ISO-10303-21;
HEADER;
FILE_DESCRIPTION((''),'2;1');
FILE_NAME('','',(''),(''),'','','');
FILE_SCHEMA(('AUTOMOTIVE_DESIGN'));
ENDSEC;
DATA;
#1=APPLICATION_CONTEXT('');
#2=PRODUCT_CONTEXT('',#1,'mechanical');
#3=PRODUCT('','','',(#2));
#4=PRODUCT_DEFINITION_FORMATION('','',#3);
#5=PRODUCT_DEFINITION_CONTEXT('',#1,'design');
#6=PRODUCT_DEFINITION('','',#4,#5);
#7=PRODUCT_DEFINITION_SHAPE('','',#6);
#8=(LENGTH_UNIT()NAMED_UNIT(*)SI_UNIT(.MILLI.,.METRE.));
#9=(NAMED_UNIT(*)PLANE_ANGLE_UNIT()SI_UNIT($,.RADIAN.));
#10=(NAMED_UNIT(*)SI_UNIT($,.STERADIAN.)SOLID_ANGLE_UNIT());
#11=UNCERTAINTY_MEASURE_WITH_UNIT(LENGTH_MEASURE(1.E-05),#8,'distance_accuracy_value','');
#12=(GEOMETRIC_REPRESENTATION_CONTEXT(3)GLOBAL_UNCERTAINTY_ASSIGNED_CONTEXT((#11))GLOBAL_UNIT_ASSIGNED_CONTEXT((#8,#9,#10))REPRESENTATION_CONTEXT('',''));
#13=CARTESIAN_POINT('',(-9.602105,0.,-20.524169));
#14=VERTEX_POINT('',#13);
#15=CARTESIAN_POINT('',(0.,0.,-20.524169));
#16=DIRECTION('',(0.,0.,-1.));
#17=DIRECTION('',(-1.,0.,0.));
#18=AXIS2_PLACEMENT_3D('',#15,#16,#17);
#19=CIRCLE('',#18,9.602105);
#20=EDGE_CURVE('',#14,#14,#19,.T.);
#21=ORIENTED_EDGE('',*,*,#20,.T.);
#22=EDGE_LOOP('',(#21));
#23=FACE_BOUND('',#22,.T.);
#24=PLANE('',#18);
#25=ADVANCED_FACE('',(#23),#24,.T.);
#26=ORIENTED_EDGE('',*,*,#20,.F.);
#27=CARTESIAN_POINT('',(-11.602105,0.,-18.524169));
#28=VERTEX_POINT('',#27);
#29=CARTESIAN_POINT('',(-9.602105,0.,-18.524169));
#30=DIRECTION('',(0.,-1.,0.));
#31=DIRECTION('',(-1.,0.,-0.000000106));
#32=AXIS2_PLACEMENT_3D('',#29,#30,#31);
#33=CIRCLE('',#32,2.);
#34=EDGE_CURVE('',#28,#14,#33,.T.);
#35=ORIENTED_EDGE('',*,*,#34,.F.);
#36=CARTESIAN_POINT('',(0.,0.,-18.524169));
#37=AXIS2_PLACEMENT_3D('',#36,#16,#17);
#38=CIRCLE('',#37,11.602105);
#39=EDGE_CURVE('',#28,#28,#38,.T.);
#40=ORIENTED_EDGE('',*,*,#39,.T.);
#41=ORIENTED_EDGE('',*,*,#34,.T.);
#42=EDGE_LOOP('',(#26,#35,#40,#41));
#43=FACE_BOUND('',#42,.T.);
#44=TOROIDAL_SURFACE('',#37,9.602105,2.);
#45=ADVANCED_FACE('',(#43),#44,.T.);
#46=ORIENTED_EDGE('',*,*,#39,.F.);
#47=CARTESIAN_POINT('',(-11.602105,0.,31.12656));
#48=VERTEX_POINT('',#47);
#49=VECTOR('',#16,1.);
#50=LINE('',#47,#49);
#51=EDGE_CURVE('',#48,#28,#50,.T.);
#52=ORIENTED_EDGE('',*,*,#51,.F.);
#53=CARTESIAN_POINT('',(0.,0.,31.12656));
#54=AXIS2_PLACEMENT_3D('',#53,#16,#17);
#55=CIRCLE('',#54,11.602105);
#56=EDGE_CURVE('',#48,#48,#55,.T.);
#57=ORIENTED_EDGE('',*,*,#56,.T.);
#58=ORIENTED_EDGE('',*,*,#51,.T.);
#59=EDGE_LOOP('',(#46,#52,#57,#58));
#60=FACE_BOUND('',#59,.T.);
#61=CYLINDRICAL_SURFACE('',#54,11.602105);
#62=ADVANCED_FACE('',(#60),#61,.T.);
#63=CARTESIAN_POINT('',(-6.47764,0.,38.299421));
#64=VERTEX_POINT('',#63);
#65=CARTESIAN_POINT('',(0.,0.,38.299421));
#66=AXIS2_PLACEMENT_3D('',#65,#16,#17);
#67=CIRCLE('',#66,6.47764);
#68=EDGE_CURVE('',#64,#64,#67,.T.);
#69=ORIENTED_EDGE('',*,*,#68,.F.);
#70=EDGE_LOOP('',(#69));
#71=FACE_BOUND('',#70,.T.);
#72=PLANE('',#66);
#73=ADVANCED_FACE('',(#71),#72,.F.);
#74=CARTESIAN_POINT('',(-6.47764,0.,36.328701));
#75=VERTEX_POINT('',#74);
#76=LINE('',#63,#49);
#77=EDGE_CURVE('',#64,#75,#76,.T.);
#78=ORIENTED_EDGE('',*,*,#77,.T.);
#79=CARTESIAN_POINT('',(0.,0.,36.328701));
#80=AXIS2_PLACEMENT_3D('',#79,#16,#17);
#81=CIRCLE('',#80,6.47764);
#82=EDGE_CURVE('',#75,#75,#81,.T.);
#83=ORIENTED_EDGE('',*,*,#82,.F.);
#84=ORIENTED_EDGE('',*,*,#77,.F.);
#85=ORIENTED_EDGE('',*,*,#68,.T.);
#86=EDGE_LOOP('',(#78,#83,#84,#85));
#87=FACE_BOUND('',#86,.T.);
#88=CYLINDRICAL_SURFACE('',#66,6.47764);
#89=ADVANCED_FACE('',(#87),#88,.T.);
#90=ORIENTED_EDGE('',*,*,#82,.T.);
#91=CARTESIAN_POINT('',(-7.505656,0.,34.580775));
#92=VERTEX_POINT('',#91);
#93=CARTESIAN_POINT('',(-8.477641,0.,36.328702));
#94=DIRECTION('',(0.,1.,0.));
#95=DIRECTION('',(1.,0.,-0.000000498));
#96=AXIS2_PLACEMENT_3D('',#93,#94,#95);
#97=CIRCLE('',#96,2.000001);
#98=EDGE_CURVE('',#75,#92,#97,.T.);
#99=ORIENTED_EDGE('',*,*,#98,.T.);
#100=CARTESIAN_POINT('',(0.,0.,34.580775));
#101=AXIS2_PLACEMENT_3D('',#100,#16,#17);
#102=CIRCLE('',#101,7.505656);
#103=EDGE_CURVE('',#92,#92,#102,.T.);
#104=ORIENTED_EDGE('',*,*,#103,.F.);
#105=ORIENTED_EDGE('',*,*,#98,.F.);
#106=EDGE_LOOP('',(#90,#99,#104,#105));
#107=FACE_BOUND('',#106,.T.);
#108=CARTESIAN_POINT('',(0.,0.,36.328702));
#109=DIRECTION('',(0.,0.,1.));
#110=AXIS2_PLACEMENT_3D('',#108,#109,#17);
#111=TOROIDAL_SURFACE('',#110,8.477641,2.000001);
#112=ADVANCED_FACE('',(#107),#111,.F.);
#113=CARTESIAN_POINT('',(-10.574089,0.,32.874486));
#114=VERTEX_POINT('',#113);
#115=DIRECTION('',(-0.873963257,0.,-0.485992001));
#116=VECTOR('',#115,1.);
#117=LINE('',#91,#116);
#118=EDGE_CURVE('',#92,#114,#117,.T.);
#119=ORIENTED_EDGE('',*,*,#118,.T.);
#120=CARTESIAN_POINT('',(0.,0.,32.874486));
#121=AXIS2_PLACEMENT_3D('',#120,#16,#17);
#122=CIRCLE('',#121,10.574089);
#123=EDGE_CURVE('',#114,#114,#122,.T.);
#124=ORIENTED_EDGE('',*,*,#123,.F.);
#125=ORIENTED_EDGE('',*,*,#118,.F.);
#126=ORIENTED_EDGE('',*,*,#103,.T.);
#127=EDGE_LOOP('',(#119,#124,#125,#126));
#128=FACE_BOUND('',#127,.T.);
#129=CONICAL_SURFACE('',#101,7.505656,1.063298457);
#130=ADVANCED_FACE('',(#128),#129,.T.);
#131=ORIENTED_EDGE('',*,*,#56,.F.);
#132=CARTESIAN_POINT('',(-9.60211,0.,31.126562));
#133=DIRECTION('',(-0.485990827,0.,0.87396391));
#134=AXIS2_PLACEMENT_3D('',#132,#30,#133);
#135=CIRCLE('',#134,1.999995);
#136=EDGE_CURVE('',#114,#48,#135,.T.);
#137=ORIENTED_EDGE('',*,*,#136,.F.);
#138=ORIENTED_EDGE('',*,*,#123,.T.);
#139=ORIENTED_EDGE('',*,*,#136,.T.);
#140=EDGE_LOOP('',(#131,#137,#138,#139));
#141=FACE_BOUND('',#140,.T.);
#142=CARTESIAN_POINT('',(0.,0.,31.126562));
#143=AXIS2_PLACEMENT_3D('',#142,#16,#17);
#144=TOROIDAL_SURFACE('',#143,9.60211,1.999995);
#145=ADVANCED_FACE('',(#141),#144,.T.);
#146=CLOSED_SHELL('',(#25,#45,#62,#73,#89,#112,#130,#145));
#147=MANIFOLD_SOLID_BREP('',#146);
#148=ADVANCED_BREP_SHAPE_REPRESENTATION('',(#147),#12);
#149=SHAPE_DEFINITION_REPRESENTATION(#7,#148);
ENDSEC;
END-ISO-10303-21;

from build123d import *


with BuildPart() as f2:
    # F1 (on face) → F2 (revolve)
    with BuildSketch(Plane.XZ):
        with BuildLine():
            Line((-9.602105, -20.524169), (0, -20.524169))
            Line((0, -20.524169), (0, 38.299421))
            Line((0, 38.299421), (-6.47764, 38.299421))
            Line((-6.47764, 38.299421), (-6.47764, 36.328701))
            ThreePointArc((-6.47764, 36.328701), (-6.753696, 35.31479), (-7.505656, 34.580775))
            Line((-7.505656, 34.580775), (-10.574089, 32.874486))
            ThreePointArc((-10.574089, 32.874486), (-11.32605, 32.140471), (-11.602105, 31.12656))
            Line((-11.602105, 31.12656), (-11.602105, -18.524169))
            ThreePointArc((-11.602105, -18.524169), (-11.016319, -19.938382), (-9.602105, -20.524169))
        make_face()
    revolve(axis=Axis((0, 0, 8.887626), (0, 0, -1)))


solid = f2.part
